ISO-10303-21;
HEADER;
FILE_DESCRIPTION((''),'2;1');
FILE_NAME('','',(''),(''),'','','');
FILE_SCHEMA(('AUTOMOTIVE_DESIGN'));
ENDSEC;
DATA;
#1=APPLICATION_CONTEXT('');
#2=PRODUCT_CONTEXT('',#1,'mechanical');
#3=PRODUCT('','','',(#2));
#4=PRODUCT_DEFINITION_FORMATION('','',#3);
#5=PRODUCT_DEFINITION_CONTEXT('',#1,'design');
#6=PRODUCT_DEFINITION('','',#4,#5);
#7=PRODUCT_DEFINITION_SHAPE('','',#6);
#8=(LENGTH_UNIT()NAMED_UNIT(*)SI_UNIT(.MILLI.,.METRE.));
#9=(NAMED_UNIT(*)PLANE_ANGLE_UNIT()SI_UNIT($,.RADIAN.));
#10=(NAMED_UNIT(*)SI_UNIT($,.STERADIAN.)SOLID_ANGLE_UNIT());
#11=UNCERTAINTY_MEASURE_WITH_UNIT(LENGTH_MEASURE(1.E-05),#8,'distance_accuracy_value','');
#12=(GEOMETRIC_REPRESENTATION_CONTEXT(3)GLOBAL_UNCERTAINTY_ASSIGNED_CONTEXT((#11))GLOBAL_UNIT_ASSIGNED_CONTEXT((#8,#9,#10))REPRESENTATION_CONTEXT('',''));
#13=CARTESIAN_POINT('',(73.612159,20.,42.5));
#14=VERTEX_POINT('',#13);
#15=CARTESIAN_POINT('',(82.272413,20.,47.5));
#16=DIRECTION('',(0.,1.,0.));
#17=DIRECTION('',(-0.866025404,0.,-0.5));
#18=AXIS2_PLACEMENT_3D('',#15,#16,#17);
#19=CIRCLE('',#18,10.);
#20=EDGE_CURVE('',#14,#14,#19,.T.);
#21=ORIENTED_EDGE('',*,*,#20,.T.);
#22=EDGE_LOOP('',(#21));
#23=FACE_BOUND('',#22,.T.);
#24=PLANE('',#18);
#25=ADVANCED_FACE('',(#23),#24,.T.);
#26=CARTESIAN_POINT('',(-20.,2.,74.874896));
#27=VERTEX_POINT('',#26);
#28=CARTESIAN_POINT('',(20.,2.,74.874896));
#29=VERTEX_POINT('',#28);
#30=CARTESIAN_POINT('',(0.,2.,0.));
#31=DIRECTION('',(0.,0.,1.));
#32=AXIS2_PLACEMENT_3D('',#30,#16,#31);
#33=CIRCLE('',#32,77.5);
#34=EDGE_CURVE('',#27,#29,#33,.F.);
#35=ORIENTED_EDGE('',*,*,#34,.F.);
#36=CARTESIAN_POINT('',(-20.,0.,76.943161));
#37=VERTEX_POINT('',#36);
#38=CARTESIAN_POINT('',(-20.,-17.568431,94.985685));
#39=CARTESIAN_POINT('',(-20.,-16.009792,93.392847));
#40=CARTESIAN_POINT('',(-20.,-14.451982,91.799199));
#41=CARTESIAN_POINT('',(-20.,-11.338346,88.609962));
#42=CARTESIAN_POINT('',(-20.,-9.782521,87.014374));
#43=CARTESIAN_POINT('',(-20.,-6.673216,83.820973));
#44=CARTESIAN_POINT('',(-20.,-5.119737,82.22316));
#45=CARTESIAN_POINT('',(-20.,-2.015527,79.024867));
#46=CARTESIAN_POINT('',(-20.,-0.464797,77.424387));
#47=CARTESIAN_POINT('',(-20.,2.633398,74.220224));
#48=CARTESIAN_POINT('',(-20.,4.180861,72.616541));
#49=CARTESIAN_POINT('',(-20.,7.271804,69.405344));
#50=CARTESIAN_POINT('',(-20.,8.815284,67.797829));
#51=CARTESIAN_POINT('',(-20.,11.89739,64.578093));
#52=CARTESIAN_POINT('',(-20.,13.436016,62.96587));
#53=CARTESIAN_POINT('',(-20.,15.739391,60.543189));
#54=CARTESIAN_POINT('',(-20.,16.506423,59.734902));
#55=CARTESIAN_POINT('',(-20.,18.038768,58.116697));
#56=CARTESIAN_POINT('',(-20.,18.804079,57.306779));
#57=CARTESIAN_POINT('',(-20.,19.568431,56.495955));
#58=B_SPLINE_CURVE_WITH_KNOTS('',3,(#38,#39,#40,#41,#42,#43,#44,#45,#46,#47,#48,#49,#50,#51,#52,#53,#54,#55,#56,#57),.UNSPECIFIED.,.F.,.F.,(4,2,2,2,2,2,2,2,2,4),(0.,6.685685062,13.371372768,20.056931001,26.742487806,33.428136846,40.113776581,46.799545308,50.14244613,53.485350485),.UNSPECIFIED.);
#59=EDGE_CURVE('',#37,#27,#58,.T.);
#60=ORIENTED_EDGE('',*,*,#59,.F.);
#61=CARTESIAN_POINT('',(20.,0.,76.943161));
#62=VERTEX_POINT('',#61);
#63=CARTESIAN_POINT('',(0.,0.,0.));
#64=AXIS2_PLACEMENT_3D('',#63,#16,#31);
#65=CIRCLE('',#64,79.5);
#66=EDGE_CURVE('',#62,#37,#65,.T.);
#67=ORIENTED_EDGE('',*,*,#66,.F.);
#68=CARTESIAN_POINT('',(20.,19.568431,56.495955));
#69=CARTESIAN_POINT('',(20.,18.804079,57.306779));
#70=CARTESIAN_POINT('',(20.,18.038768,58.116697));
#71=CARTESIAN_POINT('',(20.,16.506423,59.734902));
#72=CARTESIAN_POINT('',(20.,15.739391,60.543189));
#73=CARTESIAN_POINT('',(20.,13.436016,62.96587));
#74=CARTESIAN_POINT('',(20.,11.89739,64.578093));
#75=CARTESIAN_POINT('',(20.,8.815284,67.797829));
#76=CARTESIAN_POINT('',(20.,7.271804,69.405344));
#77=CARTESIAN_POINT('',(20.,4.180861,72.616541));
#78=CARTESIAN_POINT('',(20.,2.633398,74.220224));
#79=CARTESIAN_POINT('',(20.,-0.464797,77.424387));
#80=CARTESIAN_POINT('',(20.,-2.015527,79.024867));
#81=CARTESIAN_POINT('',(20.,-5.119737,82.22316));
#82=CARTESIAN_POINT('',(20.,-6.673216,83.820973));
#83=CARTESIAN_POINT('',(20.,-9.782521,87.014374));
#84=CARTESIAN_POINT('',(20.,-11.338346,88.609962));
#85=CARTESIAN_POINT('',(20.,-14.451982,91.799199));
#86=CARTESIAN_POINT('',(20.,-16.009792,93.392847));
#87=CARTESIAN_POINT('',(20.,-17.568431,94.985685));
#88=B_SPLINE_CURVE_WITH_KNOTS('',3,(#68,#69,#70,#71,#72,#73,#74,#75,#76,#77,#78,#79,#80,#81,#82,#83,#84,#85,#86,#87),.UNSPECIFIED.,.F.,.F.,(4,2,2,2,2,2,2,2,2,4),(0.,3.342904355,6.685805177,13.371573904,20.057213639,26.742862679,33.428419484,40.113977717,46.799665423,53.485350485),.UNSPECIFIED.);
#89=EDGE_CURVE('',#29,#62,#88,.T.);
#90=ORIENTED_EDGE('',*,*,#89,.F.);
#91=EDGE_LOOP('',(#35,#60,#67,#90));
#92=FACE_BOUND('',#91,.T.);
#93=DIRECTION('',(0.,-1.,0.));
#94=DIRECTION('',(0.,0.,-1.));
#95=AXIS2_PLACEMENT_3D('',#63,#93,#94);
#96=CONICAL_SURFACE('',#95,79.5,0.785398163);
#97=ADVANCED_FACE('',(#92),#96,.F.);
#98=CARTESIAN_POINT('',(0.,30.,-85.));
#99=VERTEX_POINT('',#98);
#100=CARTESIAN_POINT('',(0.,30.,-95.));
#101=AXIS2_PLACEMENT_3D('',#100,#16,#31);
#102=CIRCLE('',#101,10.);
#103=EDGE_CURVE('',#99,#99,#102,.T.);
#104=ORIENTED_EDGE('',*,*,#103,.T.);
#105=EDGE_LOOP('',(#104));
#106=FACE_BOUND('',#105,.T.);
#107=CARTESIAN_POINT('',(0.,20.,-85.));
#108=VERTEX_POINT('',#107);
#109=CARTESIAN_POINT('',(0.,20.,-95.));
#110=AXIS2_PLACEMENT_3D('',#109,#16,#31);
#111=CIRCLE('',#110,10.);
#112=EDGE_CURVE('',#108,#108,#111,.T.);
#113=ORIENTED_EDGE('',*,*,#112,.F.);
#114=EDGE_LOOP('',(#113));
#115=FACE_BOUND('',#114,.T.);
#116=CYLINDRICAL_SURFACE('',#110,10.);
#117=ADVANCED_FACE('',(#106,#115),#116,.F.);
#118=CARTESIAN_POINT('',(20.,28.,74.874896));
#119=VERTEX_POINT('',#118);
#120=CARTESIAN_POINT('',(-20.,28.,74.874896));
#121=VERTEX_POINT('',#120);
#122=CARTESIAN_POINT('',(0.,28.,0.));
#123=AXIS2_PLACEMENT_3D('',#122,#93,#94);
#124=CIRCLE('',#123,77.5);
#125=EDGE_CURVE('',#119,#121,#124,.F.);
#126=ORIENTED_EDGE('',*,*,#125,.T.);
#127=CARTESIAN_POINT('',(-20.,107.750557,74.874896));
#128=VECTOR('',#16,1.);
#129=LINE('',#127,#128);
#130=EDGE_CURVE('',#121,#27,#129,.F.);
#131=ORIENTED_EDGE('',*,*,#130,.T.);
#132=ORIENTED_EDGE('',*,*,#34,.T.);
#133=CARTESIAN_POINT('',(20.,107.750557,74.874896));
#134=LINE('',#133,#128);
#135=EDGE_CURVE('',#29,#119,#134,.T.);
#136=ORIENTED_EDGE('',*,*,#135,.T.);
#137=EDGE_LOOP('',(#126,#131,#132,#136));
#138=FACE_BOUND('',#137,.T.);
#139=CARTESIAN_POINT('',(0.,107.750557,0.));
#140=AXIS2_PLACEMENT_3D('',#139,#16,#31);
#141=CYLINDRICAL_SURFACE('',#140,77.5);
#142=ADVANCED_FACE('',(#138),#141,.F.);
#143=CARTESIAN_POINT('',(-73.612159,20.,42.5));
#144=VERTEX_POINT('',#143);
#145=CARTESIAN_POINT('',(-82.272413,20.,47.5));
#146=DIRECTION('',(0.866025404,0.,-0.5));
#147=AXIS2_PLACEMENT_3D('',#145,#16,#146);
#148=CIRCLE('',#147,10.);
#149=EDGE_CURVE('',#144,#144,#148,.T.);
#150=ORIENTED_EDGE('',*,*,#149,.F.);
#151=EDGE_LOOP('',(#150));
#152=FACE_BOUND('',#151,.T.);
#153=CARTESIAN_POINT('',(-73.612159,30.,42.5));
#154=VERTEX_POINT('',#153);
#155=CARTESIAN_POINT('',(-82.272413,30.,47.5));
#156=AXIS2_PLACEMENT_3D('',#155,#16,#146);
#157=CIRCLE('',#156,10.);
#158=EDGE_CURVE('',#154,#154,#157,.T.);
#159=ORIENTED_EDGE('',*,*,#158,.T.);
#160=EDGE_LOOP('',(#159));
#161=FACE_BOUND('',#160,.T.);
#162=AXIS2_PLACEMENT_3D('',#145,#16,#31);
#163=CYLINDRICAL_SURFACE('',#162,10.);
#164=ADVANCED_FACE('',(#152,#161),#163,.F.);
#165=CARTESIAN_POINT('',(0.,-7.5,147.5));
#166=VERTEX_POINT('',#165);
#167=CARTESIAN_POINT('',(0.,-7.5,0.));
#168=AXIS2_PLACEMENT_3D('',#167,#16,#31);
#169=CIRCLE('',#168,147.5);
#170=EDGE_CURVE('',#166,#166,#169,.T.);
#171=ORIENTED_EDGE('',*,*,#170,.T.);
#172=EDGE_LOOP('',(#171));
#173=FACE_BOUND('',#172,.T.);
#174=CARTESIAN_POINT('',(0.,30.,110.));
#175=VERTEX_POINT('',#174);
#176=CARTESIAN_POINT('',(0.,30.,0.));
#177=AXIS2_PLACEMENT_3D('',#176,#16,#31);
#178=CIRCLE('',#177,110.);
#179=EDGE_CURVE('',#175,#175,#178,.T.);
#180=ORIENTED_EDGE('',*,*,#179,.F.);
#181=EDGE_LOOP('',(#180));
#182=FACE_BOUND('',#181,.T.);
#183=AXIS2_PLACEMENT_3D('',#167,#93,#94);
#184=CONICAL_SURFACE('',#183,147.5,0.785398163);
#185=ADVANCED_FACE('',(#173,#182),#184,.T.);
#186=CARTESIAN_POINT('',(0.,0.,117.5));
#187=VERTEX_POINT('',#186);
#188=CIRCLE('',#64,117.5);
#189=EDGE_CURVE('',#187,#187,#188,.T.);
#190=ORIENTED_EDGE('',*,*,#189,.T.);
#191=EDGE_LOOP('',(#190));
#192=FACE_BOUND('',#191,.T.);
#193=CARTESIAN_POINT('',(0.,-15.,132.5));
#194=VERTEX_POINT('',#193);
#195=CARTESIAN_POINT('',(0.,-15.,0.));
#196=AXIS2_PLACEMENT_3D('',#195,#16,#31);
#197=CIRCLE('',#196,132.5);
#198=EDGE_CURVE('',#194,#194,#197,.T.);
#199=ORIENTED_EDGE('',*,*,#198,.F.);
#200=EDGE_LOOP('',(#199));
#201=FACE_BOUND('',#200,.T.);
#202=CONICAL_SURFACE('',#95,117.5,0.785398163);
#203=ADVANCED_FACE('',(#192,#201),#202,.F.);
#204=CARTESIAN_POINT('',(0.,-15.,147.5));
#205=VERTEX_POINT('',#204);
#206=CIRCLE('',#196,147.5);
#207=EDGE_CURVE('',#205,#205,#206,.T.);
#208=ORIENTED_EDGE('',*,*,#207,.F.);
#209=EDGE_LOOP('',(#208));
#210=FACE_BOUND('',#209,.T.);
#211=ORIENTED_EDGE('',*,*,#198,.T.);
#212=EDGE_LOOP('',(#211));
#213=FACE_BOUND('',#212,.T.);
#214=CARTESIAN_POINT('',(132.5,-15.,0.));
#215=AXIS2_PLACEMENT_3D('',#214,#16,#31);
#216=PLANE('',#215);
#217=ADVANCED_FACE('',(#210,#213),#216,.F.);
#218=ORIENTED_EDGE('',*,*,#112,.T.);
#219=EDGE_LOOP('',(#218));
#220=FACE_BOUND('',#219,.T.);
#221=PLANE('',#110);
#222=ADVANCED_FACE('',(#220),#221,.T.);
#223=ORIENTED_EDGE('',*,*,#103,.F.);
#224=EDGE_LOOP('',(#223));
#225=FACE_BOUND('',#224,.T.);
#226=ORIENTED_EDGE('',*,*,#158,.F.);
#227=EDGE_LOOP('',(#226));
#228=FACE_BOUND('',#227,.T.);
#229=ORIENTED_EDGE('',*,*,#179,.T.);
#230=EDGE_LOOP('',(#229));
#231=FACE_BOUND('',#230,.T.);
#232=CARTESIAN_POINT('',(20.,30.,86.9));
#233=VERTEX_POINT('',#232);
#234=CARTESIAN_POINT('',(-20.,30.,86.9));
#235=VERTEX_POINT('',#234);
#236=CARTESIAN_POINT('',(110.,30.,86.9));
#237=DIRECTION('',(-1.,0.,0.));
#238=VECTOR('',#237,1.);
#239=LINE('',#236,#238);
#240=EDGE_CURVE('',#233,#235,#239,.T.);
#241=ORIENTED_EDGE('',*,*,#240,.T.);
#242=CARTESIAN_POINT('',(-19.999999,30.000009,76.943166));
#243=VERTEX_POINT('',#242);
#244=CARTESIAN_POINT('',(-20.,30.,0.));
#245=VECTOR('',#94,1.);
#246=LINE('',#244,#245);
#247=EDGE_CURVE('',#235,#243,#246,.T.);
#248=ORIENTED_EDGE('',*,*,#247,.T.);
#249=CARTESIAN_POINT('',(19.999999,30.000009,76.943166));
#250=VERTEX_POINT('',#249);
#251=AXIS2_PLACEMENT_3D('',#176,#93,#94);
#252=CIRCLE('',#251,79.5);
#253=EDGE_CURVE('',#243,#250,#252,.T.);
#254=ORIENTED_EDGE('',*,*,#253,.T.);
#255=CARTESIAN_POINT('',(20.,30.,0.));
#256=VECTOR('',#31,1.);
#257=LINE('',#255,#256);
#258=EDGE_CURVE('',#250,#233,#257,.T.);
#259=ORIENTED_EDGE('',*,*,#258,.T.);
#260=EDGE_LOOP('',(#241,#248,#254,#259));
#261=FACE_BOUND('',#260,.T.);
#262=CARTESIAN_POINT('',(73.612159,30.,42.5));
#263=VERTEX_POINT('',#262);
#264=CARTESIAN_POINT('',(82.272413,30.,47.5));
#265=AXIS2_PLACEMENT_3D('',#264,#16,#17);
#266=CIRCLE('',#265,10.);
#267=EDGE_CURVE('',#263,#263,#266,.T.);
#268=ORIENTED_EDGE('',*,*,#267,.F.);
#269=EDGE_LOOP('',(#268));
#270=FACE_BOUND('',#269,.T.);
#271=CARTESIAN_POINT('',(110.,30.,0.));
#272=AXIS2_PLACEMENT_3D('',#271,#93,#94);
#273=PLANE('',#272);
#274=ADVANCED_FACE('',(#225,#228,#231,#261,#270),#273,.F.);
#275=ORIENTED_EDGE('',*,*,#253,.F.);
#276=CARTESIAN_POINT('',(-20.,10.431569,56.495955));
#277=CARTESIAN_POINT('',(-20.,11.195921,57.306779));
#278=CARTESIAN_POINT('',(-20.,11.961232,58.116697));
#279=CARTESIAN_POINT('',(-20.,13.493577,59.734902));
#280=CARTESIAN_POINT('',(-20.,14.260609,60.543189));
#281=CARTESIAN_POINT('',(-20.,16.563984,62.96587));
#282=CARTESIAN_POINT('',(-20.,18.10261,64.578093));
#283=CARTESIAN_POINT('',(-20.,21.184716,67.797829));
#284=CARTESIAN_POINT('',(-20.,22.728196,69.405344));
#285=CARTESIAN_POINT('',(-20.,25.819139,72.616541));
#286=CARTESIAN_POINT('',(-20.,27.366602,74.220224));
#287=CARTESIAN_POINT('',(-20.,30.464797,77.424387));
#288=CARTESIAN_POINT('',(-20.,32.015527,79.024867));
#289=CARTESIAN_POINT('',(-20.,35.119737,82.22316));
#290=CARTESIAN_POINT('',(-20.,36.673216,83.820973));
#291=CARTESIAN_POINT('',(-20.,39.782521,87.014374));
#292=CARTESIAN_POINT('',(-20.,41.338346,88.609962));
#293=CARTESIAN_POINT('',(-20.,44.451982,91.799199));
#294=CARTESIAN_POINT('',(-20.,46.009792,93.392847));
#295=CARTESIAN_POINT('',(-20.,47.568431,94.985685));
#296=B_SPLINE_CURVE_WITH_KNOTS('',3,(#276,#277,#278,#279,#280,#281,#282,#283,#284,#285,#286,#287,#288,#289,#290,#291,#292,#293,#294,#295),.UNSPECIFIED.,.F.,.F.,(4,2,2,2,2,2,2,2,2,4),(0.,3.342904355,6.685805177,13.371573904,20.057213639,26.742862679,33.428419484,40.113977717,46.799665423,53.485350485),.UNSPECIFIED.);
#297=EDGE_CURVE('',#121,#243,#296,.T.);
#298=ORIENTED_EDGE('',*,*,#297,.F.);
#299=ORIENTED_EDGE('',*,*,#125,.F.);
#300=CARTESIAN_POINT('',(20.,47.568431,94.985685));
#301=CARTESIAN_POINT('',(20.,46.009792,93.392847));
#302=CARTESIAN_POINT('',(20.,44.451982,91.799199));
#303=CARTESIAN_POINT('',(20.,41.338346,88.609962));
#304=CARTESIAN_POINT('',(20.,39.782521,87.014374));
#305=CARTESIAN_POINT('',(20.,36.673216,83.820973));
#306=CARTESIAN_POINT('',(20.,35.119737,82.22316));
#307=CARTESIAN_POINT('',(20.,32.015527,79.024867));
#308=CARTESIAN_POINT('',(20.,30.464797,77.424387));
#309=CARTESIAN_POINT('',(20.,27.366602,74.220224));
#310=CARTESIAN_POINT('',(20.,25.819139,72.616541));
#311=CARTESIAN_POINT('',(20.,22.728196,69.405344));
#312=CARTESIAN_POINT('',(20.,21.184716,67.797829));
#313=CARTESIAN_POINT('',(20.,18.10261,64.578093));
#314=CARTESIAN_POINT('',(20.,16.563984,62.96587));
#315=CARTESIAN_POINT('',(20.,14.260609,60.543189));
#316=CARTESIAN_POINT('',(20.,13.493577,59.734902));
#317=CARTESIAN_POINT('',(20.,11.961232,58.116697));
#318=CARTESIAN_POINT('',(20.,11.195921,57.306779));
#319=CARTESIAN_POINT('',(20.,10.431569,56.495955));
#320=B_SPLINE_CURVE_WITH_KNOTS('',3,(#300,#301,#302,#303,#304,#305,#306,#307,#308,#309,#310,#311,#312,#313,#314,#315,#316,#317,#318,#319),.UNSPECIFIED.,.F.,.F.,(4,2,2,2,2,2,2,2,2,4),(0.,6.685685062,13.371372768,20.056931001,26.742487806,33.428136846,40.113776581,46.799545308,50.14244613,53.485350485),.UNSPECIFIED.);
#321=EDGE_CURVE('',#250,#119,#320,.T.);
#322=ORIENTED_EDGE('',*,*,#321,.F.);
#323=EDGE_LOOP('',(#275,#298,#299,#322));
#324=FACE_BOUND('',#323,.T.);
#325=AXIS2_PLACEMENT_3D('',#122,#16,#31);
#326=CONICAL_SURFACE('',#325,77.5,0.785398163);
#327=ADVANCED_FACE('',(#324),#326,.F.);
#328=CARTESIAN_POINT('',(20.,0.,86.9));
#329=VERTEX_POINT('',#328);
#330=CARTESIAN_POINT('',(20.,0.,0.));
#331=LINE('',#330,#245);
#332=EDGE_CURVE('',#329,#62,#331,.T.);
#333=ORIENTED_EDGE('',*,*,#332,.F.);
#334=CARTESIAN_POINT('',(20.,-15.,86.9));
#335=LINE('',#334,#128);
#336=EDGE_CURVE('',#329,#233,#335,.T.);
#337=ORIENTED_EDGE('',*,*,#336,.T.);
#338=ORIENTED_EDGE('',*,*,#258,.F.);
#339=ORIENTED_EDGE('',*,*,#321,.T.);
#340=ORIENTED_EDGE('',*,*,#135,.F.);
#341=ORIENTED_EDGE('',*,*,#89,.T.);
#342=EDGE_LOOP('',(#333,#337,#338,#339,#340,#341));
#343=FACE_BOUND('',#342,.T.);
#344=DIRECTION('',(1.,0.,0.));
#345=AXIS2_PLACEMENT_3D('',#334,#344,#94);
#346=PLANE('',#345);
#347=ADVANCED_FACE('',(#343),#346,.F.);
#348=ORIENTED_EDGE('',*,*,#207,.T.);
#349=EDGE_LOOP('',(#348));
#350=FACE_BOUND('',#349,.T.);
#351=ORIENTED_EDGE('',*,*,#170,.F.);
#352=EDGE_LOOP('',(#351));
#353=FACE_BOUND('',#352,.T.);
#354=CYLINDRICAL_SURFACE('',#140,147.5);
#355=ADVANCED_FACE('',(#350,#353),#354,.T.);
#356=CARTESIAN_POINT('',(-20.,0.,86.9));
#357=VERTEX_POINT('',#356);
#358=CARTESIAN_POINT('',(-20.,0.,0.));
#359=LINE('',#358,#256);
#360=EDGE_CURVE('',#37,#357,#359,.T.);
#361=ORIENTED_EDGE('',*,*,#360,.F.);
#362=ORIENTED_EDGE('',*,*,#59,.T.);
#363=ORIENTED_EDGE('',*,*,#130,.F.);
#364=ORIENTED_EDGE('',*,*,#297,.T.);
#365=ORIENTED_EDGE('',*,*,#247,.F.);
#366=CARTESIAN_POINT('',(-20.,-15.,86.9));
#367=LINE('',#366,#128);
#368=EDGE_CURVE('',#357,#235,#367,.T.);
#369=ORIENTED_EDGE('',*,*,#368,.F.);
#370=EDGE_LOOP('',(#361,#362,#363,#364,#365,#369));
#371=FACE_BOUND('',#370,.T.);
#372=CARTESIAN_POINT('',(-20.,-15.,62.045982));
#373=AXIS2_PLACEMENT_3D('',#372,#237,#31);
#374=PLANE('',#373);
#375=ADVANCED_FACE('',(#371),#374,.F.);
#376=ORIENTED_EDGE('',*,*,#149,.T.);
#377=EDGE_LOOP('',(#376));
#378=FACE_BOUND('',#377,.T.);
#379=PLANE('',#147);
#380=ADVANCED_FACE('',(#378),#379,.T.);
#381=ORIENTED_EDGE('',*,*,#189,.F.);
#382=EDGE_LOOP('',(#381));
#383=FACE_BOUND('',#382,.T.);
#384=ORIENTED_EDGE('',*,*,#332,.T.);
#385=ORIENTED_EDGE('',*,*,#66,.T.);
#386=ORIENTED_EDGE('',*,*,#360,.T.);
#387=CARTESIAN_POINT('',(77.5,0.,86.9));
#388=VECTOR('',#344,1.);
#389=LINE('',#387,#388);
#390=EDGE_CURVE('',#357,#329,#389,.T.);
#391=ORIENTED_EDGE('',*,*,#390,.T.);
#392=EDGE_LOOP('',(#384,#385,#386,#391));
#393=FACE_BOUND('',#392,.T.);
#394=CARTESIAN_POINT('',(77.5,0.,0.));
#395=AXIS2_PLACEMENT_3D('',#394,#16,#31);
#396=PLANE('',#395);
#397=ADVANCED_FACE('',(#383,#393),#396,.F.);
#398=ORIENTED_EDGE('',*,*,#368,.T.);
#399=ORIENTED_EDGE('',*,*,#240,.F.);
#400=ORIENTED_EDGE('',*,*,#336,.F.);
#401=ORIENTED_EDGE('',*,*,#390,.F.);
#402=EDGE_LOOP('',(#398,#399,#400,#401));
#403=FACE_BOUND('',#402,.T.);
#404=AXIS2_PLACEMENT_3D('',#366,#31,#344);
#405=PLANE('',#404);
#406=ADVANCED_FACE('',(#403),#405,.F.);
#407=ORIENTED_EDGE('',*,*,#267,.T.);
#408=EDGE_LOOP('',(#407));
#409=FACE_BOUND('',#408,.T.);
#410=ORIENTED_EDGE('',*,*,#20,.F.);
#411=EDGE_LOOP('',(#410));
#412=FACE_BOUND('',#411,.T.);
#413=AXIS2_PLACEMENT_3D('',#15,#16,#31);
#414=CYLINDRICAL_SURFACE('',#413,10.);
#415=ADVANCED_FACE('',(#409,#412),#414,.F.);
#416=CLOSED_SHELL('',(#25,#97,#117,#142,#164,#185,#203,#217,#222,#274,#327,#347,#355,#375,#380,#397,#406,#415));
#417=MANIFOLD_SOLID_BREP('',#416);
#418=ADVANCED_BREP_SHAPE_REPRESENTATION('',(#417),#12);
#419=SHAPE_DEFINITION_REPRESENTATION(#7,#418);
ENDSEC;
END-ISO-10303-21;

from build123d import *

# Parameters (mm, degrees)
CHAMFER_1_SIZE           = 2
SKETCH_2_R               = 10
CUT_EXTRUDE_1_DEPTH      = 10
PATTERN_CIRCULAR_1_COUNT = 3
CUT_EXTRUDE_2_DEPTH      = 214.395173329
CUT_EXTRUDE_2_DEPTH_BACK = 214.395173329
SKETCH_3_W               = 40
SKETCH_3_H               = 24.854018102


with BuildPart() as part:
    # Эскиз1 → Повернуть1 (revolve)
    with BuildSketch(Plane.XY, mode=Mode.PRIVATE) as revolve_1_sk:
        Polygon((77.5, 30), (77.5, 0), (117.5, 0), (132.5, -15), (147.5, -15), (147.5, -7.5), (110, 30), align=None)
    revolve(revolve_1_sk.sketch.rotate(Axis((0, 107.750556793, 0), (0, -1, 0)), 90), axis=Axis((0, 107.750556793, 0), (0, -1, 0)))

    # Фаска1
    chamfer_1_edges = [part.edges().sort_by_distance(p)[0] for p in [
        (0, 0, -77.5),
        (0, 30, -77.5),
    ]]
    chamfer(chamfer_1_edges, length=CHAMFER_1_SIZE)

    # Эскиз2 → Вырез-Вытянуть1 (cut)
    with BuildSketch(Plane(origin=(0, 30, 0), x_dir=(1, 0, 0), z_dir=(0, 1, 0))):
        with Locations(Location((0, 95, 0), (0, 0, 270))):
            Circle(SKETCH_2_R)
    cut_extrude_1 = extrude(amount=-CUT_EXTRUDE_1_DEPTH, mode=Mode.SUBTRACT)

    # Круговой массив1: Вырез-Вытянуть1 ×3 about axis
    pattern_circular_1_axis = Axis((0, 0, 0), (0, 1, 0))
    for i in range(1, PATTERN_CIRCULAR_1_COUNT):
        add(cut_extrude_1.rotate(pattern_circular_1_axis, i * 360 / PATTERN_CIRCULAR_1_COUNT), mode=Mode.SUBTRACT)

    # Эскиз3 → Вырез-Вытянуть2 (cut, two sides: drawn at the far end of the back side and taken through both)
    with BuildSketch(Plane(origin=(0, 30, 0), x_dir=(1, 0, 0), z_dir=(0, 1, 0)).offset(-CUT_EXTRUDE_2_DEPTH_BACK)):
        with Locations((0, -74.472990949)):
            Rectangle(SKETCH_3_W, SKETCH_3_H)
    extrude(amount=CUT_EXTRUDE_2_DEPTH + CUT_EXTRUDE_2_DEPTH_BACK, mode=Mode.SUBTRACT)


solid = part.part
